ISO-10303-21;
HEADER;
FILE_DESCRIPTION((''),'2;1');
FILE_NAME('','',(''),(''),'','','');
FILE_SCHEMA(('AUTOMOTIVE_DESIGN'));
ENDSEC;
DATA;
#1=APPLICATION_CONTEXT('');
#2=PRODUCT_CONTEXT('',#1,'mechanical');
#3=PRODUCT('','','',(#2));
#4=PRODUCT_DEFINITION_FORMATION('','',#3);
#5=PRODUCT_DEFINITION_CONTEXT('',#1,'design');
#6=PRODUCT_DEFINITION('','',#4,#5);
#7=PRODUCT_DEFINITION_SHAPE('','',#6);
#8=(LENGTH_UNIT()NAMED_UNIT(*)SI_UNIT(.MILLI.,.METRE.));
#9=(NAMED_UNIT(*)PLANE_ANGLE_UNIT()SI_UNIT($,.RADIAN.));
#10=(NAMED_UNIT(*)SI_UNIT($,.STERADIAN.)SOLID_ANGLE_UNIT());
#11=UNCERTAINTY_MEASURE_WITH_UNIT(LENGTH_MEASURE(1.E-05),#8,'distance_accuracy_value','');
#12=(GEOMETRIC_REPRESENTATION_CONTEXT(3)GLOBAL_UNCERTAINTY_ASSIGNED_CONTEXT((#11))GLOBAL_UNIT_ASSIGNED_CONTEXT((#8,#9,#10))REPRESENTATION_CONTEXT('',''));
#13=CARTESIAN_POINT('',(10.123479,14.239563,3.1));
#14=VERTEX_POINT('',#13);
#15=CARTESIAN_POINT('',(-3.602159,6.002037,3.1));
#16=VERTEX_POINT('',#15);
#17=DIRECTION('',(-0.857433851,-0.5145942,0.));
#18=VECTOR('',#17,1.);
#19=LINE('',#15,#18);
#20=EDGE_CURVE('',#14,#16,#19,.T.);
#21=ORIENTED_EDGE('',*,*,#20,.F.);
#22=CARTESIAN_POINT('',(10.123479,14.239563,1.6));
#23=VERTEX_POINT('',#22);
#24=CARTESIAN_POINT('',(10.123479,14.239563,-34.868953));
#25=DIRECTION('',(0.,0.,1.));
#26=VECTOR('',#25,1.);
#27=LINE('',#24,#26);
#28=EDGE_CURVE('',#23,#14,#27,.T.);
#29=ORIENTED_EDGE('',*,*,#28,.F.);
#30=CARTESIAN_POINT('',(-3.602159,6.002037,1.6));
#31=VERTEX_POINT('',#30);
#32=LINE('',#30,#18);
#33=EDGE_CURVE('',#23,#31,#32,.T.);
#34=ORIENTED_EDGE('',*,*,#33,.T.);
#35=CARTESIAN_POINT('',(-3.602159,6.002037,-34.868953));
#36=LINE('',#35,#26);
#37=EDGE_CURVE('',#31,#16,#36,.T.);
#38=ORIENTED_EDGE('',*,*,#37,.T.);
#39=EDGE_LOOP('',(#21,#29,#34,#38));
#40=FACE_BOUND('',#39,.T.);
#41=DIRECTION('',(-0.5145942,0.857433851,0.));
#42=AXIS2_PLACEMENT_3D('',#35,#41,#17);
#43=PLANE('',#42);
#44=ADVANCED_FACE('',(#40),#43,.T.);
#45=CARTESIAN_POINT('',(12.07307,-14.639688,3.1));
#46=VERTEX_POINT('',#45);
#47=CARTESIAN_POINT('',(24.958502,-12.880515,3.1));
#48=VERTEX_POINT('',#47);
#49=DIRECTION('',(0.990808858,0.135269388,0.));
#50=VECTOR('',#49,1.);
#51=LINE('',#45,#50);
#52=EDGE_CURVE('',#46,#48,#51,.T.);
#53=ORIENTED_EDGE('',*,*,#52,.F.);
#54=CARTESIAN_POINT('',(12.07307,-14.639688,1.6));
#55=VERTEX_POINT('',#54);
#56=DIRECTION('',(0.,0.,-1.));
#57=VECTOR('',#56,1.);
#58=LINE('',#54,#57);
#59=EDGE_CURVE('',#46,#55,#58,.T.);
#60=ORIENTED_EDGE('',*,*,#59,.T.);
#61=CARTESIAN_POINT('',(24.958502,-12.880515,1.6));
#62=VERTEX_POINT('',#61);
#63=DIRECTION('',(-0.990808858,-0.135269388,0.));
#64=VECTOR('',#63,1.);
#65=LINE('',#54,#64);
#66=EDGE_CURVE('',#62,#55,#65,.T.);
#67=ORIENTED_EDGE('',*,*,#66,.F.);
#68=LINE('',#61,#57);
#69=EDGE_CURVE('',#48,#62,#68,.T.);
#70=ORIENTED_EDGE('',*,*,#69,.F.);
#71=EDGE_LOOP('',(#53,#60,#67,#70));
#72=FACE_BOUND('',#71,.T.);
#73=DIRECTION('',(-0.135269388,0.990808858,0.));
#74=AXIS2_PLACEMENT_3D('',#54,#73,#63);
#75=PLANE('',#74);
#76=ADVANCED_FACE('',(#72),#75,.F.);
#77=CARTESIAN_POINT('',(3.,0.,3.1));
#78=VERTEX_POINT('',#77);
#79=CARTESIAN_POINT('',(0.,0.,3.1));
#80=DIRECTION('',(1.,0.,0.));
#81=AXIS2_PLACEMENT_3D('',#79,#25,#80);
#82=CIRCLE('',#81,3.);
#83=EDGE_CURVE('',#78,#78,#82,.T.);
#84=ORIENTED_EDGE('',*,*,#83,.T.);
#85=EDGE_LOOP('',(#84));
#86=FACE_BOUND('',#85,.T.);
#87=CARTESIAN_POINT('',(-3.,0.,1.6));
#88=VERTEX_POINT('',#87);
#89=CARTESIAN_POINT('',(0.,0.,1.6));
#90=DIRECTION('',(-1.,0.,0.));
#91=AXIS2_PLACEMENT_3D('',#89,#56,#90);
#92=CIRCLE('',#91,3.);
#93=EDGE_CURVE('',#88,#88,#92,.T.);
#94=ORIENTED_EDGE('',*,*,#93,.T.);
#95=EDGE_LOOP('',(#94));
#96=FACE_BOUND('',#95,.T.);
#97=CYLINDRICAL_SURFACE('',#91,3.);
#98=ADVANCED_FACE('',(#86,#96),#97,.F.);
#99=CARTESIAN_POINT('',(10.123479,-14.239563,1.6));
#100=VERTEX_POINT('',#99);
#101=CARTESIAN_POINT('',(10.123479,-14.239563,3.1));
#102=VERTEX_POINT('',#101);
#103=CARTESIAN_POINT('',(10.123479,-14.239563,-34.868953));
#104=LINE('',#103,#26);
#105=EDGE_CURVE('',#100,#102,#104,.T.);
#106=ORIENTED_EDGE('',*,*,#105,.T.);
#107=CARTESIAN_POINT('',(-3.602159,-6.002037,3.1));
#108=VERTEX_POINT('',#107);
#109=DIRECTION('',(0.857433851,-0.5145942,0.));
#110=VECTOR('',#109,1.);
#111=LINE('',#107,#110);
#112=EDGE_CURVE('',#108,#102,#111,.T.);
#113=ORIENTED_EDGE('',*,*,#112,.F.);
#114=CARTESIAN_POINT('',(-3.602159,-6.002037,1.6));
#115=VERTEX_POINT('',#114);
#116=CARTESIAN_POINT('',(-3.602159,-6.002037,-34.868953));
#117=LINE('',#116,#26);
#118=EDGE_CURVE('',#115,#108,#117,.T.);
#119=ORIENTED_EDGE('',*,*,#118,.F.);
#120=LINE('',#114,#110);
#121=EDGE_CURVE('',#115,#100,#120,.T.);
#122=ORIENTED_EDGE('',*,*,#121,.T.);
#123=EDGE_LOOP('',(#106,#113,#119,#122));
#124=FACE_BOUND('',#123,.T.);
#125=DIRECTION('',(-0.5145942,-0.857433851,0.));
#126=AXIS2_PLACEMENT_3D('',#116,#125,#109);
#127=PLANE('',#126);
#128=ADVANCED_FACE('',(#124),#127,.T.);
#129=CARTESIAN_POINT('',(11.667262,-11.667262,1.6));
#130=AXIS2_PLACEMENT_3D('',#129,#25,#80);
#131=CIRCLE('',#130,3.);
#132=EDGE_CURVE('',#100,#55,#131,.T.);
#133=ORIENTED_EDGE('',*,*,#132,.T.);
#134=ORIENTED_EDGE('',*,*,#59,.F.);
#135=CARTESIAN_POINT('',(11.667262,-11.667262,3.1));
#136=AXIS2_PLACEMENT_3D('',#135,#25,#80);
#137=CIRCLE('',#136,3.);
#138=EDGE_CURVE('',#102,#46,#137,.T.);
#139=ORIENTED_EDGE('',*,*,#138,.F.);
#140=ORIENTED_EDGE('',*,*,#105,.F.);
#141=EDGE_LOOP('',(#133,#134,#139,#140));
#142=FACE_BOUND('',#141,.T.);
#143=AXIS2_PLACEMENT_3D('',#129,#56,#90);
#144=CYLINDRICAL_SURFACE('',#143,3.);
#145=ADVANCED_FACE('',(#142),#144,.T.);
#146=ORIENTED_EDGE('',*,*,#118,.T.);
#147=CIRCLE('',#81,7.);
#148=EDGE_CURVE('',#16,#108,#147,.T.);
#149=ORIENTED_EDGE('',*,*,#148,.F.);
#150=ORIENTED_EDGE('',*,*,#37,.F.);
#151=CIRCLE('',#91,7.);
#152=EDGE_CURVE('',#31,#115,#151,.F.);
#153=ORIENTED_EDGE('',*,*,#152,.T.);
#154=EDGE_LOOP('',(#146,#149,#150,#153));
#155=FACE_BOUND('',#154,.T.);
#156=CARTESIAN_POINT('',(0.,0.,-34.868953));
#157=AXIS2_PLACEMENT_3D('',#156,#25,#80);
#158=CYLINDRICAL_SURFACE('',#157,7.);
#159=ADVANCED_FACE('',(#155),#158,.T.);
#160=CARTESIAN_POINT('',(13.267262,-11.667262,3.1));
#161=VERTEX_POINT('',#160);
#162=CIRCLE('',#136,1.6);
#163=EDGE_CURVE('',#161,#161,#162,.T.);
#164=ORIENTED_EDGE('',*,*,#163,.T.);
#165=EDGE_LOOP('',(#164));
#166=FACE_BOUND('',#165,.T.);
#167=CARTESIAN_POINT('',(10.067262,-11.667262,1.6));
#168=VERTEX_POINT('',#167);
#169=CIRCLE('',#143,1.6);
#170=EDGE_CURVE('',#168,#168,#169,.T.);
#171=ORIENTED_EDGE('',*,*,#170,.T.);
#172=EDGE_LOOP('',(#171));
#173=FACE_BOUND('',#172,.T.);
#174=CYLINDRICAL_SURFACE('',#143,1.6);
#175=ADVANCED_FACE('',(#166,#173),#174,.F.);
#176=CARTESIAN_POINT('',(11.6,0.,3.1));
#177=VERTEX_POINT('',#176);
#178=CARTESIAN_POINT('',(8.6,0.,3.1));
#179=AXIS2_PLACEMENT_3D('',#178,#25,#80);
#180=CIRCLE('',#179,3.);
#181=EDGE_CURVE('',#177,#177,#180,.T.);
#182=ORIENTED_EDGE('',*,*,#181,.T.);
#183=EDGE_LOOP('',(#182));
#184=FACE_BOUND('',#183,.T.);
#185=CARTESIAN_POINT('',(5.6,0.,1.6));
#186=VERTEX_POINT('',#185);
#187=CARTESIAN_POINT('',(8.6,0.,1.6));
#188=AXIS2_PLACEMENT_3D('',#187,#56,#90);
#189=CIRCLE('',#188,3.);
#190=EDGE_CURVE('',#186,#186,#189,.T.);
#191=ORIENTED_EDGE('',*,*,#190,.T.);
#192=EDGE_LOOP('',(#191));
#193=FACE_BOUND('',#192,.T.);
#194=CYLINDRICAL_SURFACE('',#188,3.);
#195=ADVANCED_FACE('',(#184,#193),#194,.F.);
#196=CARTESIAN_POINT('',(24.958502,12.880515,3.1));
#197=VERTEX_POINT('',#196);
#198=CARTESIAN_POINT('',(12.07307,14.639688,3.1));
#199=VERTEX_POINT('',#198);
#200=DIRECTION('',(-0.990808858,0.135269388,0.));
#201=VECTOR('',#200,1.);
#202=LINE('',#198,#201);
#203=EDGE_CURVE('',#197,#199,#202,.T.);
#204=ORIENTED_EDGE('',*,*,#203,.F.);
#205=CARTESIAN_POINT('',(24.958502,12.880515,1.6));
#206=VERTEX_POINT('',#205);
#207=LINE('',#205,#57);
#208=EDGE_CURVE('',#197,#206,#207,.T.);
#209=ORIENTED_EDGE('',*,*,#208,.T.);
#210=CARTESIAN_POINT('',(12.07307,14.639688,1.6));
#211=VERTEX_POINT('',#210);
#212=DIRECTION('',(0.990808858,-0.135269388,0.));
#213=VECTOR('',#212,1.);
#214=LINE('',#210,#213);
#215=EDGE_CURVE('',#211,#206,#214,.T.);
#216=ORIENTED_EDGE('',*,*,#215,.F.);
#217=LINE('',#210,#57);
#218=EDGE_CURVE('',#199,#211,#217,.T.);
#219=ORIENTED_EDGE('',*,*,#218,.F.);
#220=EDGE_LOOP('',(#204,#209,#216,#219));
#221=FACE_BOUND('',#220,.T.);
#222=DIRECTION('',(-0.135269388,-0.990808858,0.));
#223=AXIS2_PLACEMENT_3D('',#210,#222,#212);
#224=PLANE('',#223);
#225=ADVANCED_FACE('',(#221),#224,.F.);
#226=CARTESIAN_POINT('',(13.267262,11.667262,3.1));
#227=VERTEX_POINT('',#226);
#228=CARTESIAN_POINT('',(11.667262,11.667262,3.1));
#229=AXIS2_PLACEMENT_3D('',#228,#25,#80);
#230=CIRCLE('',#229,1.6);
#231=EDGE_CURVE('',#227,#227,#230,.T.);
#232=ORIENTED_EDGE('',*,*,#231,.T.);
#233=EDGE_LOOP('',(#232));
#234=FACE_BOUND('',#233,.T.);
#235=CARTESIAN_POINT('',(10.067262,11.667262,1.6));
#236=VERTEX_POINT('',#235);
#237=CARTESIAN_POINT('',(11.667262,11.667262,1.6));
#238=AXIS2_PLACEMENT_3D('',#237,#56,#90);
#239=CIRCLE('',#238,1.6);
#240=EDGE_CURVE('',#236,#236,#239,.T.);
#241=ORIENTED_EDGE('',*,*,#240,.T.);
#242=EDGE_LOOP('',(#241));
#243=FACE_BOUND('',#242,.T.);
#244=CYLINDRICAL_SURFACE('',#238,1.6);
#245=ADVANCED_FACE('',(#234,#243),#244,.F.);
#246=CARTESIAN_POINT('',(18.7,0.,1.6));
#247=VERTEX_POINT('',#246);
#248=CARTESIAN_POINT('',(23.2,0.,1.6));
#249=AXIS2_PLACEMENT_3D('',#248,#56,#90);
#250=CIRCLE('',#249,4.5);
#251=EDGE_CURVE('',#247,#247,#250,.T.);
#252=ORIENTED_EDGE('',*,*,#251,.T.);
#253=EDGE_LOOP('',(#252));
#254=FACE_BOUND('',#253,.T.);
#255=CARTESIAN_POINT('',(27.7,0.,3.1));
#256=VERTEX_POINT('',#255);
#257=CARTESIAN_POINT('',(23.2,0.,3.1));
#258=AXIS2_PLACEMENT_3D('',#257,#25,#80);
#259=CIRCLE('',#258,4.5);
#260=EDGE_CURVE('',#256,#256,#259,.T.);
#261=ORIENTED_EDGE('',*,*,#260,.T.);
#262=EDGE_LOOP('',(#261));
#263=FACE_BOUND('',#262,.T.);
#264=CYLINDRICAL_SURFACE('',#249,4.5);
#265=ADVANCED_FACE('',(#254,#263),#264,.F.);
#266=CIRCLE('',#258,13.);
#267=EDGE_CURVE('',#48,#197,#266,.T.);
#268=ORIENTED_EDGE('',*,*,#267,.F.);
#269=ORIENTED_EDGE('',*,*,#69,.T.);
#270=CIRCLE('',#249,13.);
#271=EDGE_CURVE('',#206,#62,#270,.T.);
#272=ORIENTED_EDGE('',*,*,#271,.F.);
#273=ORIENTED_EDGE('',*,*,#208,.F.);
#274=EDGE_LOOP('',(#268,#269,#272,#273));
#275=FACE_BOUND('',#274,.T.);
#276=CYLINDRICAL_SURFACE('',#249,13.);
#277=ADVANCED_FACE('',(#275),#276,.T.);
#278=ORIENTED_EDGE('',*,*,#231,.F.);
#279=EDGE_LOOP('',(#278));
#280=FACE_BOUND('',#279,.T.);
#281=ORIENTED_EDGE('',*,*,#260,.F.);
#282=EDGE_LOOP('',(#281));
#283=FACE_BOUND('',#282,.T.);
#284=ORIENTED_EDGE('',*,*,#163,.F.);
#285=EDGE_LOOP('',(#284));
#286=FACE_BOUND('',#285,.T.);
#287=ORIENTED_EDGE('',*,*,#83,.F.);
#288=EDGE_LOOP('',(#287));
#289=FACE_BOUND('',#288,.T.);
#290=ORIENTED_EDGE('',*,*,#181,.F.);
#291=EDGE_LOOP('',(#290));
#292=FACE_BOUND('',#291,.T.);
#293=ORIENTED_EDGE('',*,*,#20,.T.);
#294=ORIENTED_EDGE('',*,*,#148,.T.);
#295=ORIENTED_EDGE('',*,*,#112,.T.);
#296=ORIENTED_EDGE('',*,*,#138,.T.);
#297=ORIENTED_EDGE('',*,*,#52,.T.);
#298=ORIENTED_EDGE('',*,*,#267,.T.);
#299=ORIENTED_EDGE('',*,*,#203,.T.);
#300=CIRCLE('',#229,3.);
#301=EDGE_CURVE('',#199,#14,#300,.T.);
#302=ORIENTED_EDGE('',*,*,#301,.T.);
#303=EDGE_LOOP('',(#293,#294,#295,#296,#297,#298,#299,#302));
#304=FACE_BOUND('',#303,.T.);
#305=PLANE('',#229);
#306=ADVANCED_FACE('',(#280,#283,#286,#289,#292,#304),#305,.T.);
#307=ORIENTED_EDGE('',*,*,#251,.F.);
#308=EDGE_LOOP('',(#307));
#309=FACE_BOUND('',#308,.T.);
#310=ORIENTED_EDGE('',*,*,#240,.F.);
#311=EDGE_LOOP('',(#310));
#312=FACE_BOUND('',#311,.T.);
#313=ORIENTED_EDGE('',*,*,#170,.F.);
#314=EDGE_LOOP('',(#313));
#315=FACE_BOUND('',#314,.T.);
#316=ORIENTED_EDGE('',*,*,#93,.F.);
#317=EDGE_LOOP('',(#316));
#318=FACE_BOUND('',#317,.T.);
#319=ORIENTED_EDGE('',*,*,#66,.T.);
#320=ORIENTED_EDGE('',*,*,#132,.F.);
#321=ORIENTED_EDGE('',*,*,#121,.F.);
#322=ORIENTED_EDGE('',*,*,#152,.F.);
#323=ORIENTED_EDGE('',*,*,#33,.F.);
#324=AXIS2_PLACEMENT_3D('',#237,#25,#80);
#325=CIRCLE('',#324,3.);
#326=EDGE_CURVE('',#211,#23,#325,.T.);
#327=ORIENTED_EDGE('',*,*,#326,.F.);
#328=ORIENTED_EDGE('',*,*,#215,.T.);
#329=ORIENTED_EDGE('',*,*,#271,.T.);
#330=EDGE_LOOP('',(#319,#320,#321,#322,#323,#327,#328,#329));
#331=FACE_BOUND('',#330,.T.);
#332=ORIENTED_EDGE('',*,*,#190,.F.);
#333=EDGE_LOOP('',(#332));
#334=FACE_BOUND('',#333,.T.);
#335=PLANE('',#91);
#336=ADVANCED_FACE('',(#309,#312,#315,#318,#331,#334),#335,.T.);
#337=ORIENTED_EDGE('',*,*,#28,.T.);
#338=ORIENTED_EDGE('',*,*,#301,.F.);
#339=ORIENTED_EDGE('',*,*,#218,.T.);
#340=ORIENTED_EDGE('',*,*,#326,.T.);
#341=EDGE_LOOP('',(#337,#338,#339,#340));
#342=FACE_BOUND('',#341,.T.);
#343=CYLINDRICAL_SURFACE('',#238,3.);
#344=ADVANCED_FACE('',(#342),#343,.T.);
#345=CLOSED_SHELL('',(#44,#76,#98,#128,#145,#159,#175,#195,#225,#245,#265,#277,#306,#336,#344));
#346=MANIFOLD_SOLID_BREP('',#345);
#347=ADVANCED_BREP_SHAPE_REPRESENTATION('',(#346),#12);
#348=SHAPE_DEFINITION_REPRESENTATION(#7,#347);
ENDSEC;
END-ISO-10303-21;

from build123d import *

# Parameters (mm, degrees)
SKETCH1_R           = 3
SKETCH1_R_2         = 4.5
SKETCH1_R_3         = 1.6
BOSS_EXTRUDE3_DEPTH = 1.6
SKETCH2_R           = 1.6
SKETCH2_R_2         = 3
SKETCH2_R_3         = 4.5
BOSS_EXTRUDE4_DEPTH = 1.5
SKETCH3_R           = 63.206562555
CUT_EXTRUDE1_DEPTH  = 1.6
SKETCH4_R           = 3
SKETCH4_R_2         = 1.6
BOSS_EXTRUDE5_DEPTH = 1.5


with BuildPart() as part:
    # Sketch1 → Boss-Extrude3 (new body)
    with BuildSketch(Plane.XY):
        with BuildLine():
            Line((12.073070054, 14.639688463), (24.958502044, 12.880515151))
            ThreePointArc((24.958502044, 12.880515151), (36.2, 0), (24.958502044, -12.880515151))
            Line((24.958502044, -12.880515151), (12.073070054, -14.639688463))
            ThreePointArc((12.073070054, -14.639688463), (11.870633815, -14.660360595), (11.66726189, -14.66726189))
            Line((11.66726189, -14.66726189), (0, -14.66726189))
            ThreePointArc((0, -14.66726189), (-0.888679088, -14.53261518), (-1.697586366, -14.140761542))
            Line((-1.697586366, -14.140761542), (-18.697586366, -2.473499652))
            ThreePointArc((-18.697586366, -2.473499652), (-19.891071988, -0.801063519), (-19.728500117, 1.247111507))
            Line((-19.728500117, 1.247111507), (-14.395762007, 12.914373397))
            ThreePointArc((-14.395762007, 12.914373397), (-13.288783625, 14.191279968), (-11.66726189, 14.66726189))
            Line((-11.66726189, 14.66726189), (11.66726189, 14.66726189))
            ThreePointArc((11.66726189, 14.66726189), (11.870633815, 14.660360595), (12.073070054, 14.639688463))
        make_face()
        Circle(SKETCH1_R, mode=Mode.SUBTRACT)
        with Locations((23.2, 0)):
            Circle(SKETCH1_R_2, mode=Mode.SUBTRACT)
        with Locations((8.6, 0)):
            Circle(SKETCH1_R, mode=Mode.SUBTRACT)
        with Locations((-17, 0)):
            Circle(SKETCH1_R_3, mode=Mode.SUBTRACT)
        with Locations((0, -11.66726189)):
            Circle(SKETCH1_R_3, mode=Mode.SUBTRACT)
        with Locations((11.66726189, -11.66726189)):
            Circle(SKETCH1_R_3, mode=Mode.SUBTRACT)
        with Locations((-11.66726189, 11.66726189)):
            Circle(SKETCH1_R_3, mode=Mode.SUBTRACT)
        with Locations((0, 11.66726189)):
            Circle(SKETCH1_R_3, mode=Mode.SUBTRACT)
        with Locations((11.66726189, 11.66726189)):
            Circle(SKETCH1_R_3, mode=Mode.SUBTRACT)
    extrude(amount=BOSS_EXTRUDE3_DEPTH)

    # Sketch2 → Boss-Extrude4 (add)
    with BuildSketch(Plane.XY.offset(1.6)):
        with BuildLine():
            Line((12.073070054, 14.639688463), (24.958502044, 12.880515151))
            ThreePointArc((24.958502044, 12.880515151), (36.2, 0), (24.958502044, -12.880515151))
            Line((24.958502044, -12.880515151), (12.073070054, -14.639688463))
            ThreePointArc((12.073070054, -14.639688463), (10.884137398, -14.56324463), (9.81871257, -14.030070687))
            Line((9.81871257, -14.030070687), (-3.080915533, -3.938014662))
            ThreePointArc((-3.080915533, -3.938014662), (-5, 0), (-3.080915533, 3.938014662))
            Line((-3.080915533, 3.938014662), (9.81871257, 14.030070687))
            ThreePointArc((9.81871257, 14.030070687), (10.884137398, 14.56324463), (12.073070054, 14.639688463))
        make_face()
        with Locations((11.66726189, 11.66726189)):
            Circle(SKETCH2_R, mode=Mode.SUBTRACT)
        Circle(SKETCH2_R_2, mode=Mode.SUBTRACT)
        with Locations((8.6, 0)):
            Circle(SKETCH2_R_2, mode=Mode.SUBTRACT)
        with Locations((23.2, 0)):
            Circle(SKETCH2_R_3, mode=Mode.SUBTRACT)
        with Locations((11.66726189, -11.66726189)):
            Circle(SKETCH2_R, mode=Mode.SUBTRACT)
    extrude(amount=BOSS_EXTRUDE4_DEPTH)

    # Sketch3 → Cut-Extrude1 (cut)
    with BuildSketch(Plane(origin=(0, 0, 0), x_dir=(-1, 0, 0), z_dir=(0, 0, -1))):
        Circle(SKETCH3_R)
    extrude(amount=-CUT_EXTRUDE1_DEPTH, mode=Mode.SUBTRACT)

    # Sketch4 → Boss-Extrude5 (add)
    with BuildSketch(Plane.XY.offset(3.1)):
        with BuildLine():
            Line((-3.602159399, 6.00203696), (10.12347929, 14.239563444))
            ThreePointArc((10.12347929, 14.239563444), (13.145208472, 14.277946455), (14.66726189, 11.66726189))
            Line((14.66726189, 11.66726189), (14.66726189, -11.66726189))
            ThreePointArc((14.66726189, -11.66726189), (13.145208472, -14.277946455), (10.12347929, -14.239563444))
            Line((10.12347929, -14.239563444), (-3.602159399, -6.00203696))
            ThreePointArc((-3.602159399, -6.00203696), (-7, 0), (-3.602159399, 6.00203696))
        make_face()
        Circle(SKETCH4_R, mode=Mode.SUBTRACT)
        with Locations((8.6, 0)):
            Circle(SKETCH4_R, mode=Mode.SUBTRACT)
        with Locations((11.66726189, 11.66726189)):
            Circle(SKETCH4_R_2, mode=Mode.SUBTRACT)
        with Locations((11.66726189, -11.66726189)):
            Circle(SKETCH4_R_2, mode=Mode.SUBTRACT)
    extrude(amount=-BOSS_EXTRUDE5_DEPTH)


solid = part.part
